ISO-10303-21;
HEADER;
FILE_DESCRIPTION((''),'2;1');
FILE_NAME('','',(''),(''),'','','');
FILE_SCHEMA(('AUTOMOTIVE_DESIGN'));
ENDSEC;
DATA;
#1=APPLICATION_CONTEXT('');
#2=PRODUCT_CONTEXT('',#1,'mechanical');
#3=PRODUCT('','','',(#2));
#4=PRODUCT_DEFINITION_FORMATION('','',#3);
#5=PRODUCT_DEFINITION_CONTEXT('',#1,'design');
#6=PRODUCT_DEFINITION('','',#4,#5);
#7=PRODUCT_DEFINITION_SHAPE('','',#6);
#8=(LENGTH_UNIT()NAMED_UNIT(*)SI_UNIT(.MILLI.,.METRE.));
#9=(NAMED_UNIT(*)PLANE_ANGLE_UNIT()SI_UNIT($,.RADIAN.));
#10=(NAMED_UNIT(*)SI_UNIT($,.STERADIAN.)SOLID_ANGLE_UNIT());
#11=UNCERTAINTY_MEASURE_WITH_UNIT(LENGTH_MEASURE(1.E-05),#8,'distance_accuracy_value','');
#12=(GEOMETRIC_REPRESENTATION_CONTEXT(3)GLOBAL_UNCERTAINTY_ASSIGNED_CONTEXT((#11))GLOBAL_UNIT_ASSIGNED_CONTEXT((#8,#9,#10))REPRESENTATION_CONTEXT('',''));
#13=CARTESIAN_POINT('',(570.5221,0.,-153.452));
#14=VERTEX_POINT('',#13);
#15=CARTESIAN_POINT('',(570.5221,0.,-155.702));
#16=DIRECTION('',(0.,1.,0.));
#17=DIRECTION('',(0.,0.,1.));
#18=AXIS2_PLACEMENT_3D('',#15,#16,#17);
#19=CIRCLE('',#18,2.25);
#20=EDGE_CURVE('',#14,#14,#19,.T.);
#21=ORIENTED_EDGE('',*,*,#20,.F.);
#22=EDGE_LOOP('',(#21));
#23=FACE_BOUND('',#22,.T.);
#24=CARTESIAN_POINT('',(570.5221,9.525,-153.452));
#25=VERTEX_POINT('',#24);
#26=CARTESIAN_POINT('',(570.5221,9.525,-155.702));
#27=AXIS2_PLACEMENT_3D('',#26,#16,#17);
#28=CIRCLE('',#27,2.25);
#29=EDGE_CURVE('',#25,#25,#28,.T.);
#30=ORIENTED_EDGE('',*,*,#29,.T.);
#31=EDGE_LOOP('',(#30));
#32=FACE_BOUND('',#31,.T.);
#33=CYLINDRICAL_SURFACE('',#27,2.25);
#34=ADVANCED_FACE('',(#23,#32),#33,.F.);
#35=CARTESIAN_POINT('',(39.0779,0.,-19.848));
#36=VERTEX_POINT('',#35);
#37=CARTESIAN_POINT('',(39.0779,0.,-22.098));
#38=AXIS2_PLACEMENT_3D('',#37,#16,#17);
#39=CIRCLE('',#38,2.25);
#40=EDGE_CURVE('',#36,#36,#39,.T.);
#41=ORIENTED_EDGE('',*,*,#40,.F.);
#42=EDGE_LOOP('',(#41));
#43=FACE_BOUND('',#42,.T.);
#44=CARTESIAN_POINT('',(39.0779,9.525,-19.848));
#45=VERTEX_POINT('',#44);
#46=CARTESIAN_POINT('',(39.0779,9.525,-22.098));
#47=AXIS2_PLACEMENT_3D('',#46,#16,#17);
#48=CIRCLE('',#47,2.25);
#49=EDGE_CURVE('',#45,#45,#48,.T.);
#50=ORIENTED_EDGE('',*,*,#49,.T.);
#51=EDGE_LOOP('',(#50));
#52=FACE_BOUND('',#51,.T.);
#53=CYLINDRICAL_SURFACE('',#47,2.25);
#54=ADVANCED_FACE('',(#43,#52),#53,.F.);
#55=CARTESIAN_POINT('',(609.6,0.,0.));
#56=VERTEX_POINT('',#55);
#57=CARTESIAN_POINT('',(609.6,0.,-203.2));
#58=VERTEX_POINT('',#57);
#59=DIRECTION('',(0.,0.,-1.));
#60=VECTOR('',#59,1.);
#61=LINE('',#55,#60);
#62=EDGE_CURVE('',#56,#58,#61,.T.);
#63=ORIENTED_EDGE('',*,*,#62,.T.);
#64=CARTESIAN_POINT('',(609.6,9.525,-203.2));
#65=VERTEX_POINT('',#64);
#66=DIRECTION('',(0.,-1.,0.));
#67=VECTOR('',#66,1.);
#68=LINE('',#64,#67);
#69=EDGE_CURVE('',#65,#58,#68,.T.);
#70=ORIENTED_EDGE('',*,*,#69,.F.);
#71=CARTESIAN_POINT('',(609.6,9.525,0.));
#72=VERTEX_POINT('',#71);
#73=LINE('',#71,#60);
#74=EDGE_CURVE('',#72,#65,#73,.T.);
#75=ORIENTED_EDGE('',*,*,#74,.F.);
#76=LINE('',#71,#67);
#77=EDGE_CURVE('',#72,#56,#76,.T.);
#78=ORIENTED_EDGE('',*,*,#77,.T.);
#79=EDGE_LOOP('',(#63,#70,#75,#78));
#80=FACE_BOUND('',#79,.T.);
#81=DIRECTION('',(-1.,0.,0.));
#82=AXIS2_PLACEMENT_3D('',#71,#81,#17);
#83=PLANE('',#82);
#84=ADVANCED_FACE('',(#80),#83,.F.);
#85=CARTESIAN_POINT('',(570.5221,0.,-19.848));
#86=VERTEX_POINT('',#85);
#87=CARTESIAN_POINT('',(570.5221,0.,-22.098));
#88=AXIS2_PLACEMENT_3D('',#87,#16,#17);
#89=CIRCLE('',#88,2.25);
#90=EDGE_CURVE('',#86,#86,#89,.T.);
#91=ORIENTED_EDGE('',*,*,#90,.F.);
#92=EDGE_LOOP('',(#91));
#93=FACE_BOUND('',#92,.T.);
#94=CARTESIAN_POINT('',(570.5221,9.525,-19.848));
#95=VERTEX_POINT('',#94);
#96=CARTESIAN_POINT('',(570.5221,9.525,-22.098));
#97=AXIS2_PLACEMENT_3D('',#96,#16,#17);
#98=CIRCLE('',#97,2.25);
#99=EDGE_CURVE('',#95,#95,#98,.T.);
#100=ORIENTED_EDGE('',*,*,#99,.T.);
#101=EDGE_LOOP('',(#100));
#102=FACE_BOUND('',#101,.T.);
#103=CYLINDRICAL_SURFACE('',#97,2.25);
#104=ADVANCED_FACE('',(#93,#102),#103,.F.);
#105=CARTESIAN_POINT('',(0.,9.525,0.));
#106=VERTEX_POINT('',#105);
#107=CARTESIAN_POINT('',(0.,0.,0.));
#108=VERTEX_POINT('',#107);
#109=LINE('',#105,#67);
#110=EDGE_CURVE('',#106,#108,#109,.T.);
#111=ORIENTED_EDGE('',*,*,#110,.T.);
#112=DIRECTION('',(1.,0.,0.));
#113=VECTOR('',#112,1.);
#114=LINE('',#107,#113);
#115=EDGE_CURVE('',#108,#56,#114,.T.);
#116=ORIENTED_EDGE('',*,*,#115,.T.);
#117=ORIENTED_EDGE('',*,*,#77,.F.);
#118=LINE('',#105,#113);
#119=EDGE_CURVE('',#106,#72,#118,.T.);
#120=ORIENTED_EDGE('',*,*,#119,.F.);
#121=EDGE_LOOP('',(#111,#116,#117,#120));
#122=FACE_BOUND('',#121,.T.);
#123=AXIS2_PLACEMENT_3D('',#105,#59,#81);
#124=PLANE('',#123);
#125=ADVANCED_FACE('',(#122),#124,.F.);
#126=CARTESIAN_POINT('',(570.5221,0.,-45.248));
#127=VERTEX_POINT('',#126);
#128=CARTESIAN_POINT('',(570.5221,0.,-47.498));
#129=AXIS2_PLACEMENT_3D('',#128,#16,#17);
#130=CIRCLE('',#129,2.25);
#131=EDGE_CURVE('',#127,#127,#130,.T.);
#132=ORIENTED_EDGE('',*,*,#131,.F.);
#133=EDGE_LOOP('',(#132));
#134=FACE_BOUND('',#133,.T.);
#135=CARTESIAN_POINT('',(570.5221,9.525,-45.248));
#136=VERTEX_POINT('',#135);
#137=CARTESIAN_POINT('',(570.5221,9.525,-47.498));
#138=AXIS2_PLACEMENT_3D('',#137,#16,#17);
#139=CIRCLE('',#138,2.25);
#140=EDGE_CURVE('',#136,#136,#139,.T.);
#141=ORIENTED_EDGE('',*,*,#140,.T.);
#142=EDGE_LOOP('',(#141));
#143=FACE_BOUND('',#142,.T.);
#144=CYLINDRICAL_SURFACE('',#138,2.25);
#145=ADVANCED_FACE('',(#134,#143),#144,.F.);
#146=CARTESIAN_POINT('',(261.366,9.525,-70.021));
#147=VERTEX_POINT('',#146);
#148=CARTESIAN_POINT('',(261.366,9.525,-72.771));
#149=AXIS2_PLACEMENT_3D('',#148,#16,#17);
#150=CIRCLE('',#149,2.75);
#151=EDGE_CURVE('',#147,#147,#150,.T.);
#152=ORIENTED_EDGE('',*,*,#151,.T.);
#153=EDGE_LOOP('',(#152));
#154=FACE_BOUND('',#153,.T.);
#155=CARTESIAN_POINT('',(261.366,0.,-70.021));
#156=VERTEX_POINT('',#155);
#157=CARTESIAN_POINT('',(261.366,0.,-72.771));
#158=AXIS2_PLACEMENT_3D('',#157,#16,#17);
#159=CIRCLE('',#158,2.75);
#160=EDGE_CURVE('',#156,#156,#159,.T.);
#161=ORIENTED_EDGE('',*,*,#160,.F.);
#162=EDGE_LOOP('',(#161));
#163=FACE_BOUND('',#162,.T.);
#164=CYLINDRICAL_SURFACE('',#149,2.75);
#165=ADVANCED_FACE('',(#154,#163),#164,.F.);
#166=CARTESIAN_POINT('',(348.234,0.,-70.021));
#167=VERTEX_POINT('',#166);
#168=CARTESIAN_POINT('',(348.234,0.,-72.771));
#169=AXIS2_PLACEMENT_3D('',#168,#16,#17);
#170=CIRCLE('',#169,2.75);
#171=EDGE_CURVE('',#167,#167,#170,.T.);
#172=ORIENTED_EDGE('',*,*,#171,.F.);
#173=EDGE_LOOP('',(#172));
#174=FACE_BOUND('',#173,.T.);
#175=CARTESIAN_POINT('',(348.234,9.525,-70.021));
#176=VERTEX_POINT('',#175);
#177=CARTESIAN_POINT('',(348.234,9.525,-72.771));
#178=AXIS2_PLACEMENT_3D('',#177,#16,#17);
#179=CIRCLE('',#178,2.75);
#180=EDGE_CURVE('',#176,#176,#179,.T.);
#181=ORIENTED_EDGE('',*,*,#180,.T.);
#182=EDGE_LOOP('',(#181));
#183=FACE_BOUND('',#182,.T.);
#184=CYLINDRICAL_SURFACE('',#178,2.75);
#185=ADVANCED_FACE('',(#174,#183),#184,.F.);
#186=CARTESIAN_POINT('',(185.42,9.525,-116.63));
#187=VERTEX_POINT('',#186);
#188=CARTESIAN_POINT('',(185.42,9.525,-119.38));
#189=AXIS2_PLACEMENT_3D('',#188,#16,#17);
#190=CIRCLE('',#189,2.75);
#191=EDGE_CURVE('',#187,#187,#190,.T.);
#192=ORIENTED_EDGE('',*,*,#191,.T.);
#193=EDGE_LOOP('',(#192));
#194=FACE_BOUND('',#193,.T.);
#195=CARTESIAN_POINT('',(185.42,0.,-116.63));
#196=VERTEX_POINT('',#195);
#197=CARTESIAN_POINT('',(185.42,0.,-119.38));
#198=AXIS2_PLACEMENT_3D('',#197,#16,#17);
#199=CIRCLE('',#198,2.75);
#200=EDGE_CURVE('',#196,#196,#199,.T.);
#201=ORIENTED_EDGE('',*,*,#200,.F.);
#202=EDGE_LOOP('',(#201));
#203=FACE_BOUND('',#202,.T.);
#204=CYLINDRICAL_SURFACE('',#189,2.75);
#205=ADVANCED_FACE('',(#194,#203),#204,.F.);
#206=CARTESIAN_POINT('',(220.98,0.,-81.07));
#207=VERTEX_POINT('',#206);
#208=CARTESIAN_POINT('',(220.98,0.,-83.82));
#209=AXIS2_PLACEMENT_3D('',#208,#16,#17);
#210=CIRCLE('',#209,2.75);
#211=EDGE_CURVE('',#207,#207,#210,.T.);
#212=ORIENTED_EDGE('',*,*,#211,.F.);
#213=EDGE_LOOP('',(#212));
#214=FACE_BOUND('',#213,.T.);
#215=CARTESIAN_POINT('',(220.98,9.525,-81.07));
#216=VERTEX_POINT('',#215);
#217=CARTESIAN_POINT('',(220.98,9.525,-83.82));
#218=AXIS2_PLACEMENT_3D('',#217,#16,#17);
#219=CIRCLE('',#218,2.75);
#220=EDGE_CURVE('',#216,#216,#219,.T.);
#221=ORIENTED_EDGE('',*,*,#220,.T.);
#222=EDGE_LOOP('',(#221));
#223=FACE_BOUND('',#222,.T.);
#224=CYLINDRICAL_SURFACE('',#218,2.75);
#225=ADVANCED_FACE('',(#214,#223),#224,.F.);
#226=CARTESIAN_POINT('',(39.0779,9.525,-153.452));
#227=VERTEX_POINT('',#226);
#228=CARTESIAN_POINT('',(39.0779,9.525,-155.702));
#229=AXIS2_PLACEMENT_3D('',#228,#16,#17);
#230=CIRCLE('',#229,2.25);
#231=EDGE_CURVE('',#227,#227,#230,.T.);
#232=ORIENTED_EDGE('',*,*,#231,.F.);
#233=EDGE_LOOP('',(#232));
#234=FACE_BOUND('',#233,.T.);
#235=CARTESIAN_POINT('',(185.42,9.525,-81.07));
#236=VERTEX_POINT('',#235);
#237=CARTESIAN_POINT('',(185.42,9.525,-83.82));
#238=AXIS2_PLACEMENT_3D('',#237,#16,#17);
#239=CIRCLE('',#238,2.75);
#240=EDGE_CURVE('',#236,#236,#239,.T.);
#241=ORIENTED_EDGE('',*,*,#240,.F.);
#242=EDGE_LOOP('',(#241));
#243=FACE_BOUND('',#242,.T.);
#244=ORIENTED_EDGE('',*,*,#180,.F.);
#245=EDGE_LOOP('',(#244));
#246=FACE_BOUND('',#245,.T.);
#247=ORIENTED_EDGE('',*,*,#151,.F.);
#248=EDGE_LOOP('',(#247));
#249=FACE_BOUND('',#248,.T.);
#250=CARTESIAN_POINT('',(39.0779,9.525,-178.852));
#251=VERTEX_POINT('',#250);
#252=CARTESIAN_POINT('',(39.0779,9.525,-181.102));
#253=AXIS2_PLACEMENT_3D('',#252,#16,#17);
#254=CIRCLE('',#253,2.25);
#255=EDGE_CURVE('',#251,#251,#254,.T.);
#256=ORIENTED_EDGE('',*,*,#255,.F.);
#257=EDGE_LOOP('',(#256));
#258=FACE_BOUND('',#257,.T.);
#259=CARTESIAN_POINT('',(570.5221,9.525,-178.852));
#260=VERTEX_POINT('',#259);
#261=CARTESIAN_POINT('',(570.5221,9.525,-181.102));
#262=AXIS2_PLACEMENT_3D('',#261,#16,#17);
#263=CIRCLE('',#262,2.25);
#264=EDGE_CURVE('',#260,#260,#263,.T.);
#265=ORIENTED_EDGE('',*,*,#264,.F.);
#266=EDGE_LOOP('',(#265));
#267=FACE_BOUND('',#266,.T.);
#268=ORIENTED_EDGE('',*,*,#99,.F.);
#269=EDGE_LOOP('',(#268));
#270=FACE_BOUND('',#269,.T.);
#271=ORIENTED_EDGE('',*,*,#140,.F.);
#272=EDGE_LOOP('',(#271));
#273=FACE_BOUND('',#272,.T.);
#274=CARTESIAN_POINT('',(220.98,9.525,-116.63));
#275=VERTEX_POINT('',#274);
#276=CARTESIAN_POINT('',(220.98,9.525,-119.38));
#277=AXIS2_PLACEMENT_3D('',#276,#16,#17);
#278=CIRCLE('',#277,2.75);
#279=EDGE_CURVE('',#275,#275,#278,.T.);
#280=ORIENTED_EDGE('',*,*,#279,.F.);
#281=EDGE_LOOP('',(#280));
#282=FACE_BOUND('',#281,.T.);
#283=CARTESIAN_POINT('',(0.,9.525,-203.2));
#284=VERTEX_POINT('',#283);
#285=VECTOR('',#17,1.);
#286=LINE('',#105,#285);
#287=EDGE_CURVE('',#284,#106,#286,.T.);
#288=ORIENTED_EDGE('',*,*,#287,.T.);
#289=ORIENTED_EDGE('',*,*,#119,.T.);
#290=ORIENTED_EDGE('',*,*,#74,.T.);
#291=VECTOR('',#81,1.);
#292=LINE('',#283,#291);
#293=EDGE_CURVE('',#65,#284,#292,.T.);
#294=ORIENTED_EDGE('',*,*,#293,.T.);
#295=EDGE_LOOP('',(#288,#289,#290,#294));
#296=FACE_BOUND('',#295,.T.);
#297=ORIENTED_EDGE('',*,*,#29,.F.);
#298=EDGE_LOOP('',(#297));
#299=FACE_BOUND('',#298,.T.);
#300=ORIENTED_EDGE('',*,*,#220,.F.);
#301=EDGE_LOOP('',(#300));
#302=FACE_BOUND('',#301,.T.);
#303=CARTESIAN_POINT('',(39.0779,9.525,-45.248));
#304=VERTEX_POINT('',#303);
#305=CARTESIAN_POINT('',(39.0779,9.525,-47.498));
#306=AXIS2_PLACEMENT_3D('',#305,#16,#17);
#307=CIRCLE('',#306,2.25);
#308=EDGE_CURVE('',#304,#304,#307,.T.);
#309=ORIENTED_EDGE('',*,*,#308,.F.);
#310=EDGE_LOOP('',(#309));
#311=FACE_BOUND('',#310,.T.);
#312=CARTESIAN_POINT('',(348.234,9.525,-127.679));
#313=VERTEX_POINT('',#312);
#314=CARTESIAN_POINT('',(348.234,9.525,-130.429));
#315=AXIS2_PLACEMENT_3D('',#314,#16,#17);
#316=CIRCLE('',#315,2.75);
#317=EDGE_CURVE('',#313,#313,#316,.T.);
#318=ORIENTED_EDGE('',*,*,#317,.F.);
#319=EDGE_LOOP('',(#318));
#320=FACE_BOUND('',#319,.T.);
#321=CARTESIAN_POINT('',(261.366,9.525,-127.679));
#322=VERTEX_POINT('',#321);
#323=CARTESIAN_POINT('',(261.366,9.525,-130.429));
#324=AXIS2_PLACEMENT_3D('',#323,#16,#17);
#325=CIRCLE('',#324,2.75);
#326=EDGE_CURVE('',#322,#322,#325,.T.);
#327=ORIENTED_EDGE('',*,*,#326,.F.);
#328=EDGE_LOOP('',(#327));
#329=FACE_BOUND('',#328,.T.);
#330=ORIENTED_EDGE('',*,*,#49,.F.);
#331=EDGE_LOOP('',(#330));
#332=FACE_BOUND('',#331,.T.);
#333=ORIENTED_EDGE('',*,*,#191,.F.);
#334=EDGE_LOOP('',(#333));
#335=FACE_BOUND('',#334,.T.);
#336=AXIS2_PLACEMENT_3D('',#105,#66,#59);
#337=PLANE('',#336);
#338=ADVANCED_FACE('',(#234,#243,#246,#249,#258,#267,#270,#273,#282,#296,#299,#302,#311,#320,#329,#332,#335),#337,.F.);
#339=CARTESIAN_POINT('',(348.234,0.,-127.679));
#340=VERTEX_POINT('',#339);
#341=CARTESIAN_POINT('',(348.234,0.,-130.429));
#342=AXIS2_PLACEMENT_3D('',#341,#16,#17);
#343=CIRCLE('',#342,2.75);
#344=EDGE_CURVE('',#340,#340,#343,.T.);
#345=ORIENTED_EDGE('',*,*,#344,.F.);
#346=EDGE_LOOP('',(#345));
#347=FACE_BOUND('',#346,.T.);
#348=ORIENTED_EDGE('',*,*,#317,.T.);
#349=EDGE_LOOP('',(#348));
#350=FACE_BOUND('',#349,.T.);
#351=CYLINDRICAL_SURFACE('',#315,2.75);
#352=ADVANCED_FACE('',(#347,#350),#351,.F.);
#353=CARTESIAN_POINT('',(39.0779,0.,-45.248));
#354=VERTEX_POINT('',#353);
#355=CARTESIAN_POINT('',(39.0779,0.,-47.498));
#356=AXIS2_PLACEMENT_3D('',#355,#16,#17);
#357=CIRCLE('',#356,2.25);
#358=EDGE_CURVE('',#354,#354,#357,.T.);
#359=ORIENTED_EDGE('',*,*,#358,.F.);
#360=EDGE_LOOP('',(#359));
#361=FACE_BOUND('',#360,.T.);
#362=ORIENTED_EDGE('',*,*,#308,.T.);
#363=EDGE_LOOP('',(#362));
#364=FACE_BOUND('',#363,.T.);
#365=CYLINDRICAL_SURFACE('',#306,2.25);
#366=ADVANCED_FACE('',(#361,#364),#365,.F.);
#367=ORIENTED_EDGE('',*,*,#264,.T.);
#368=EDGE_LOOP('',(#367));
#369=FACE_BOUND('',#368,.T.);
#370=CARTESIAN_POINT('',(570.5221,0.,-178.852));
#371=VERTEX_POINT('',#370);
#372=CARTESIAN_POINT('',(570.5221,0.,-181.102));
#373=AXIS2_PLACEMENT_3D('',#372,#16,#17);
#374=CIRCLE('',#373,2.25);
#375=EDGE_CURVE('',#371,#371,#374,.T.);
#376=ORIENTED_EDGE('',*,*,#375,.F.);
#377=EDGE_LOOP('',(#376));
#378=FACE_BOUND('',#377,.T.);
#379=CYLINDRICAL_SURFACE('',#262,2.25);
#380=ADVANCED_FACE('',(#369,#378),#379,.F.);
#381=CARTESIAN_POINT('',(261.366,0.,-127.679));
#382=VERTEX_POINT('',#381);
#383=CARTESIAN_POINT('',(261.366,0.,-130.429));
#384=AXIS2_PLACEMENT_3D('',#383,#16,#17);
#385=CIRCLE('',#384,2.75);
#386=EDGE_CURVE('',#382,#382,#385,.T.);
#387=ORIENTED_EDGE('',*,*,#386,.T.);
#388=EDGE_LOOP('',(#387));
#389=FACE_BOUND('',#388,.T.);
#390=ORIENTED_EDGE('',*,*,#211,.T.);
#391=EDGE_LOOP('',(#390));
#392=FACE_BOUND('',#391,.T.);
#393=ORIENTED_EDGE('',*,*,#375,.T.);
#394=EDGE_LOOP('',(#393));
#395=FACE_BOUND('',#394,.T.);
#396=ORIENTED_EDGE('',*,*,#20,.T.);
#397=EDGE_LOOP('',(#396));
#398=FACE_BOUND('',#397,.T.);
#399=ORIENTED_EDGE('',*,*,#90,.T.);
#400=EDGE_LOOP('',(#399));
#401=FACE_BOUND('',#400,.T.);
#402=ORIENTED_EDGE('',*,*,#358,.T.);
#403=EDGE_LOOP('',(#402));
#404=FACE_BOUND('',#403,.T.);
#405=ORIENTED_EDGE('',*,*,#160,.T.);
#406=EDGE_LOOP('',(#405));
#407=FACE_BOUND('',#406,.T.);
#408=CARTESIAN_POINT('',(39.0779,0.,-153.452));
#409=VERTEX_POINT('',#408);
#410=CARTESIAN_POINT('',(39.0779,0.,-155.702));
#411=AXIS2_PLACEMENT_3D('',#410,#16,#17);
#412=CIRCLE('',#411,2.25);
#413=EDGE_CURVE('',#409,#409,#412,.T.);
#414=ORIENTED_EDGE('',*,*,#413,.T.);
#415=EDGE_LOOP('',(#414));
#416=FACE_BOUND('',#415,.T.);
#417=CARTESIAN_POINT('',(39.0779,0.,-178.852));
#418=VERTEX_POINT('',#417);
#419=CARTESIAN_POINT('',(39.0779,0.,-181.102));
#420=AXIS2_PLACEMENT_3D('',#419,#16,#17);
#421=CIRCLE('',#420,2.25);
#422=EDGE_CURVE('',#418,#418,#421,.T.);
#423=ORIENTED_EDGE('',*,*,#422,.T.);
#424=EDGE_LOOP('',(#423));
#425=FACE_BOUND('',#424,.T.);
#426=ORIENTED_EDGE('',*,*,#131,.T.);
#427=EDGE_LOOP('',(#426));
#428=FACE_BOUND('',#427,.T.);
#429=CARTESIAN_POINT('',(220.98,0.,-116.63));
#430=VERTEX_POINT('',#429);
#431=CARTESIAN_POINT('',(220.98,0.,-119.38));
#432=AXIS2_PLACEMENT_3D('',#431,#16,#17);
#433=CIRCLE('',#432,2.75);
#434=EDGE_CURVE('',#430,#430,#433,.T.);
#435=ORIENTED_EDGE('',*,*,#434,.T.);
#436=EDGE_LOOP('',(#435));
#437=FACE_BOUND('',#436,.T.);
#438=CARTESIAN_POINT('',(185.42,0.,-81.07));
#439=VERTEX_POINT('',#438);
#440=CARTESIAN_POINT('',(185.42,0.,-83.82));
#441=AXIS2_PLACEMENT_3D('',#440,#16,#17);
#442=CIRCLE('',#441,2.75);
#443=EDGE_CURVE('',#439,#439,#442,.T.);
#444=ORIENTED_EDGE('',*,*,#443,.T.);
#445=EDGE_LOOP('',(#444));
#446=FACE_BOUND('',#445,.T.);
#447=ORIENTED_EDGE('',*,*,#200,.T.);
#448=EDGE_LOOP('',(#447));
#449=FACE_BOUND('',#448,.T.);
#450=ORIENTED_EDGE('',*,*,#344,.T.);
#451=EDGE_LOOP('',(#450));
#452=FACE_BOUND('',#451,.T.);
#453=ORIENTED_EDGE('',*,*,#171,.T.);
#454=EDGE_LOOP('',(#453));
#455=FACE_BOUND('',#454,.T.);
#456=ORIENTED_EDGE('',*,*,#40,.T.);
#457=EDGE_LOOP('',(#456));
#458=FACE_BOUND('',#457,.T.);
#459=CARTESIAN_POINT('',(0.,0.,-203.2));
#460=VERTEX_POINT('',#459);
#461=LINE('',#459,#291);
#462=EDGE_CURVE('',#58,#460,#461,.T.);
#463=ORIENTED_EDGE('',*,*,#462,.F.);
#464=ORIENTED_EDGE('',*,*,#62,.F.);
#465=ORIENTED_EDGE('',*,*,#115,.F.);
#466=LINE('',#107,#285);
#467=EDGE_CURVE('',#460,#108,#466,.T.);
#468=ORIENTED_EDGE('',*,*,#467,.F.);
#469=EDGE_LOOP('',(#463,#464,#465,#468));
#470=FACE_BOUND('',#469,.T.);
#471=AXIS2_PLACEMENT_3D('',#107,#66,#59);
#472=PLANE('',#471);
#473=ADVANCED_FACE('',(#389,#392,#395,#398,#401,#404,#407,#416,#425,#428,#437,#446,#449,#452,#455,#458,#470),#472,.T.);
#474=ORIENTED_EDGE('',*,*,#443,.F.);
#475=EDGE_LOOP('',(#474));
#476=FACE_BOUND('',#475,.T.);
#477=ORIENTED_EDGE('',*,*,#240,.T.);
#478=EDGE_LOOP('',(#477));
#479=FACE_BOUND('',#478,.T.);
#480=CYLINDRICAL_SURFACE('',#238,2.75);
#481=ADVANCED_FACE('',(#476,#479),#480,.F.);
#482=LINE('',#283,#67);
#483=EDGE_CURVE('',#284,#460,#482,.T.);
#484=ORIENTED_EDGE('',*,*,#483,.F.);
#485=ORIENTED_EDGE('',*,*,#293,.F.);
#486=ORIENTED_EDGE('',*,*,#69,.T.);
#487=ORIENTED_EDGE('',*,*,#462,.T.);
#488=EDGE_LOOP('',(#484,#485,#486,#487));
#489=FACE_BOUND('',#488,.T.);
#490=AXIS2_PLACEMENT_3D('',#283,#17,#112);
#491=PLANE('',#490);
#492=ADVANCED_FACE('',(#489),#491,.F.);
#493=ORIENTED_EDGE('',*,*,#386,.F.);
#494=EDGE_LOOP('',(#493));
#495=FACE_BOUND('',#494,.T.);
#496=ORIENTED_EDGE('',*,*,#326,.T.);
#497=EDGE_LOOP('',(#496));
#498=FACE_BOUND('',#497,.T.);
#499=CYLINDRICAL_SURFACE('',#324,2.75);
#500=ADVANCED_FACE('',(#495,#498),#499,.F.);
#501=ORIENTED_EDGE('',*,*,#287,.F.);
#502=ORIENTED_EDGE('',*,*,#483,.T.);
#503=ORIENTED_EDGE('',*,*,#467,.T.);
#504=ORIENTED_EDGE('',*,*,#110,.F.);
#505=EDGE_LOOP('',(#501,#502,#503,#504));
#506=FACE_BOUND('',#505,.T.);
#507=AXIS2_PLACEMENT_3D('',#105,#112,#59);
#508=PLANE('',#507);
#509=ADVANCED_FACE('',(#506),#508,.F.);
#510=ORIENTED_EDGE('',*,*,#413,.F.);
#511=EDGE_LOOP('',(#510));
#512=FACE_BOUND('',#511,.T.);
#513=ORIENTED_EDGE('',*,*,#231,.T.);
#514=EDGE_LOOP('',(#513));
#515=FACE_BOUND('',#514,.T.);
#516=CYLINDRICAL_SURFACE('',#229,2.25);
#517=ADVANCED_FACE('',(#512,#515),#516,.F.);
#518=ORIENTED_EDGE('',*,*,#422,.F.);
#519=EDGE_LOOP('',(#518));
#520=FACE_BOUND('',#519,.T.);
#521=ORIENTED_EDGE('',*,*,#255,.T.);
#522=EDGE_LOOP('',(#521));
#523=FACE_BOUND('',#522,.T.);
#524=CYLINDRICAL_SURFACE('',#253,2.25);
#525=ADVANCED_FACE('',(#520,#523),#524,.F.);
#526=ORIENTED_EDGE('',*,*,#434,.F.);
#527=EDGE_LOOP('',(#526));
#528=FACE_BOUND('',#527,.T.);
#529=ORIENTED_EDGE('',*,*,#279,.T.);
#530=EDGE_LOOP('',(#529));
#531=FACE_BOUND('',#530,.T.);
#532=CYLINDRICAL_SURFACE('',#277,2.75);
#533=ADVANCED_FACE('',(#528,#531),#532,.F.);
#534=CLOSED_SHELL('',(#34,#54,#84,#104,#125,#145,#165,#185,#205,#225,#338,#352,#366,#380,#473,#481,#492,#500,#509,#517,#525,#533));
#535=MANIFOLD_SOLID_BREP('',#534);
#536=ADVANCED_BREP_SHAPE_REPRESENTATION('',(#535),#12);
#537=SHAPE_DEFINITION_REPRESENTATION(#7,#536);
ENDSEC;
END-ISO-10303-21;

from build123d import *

# Parameters (mm, degrees)
SKETCH1_W                  = 609.6
SKETCH1_H                  = 203.2
TABLE_BLANK_DEPTH          = 9.525
TABLE_HOLES_M5_CLEARANCE_D = 5.5
RUNNER_HOLES_D             = 5.5
WHEEL_HOLES_M4_CLEARANCE_D = 4.5


with BuildPart() as part:
    # Sketch1 → Table Blank (new body)
    with BuildSketch(Plane(origin=(0, 0, 0), x_dir=(1, 0, 0), z_dir=(0, 1, 0))):
        with Locations((304.8, 101.6)):
            Rectangle(SKETCH1_W, SKETCH1_H)
    extrude(amount=TABLE_BLANK_DEPTH)

    # Table Holes (M5 Clearance) (through all)
    with Locations(Plane(origin=(0, 9.525, 0), x_dir=(1, 0, 0), z_dir=(0, 1, 0))):
        with Locations((261.366, 130.429), (348.234, 130.429), (348.234, 72.771), (261.366, 72.771)):
            Hole(TABLE_HOLES_M5_CLEARANCE_D / 2)

    # Runner Holes (through all)
    with Locations(Plane(origin=(0, 9.525, 0), x_dir=(1, 0, 0), z_dir=(0, 1, 0))):
        with Locations((185.42, 119.38), (220.98, 119.38), (220.98, 83.82), (185.42, 83.82)):
            Hole(RUNNER_HOLES_D / 2)

    # Wheel Holes (M4 Clearance) (through all)
    with Locations(Plane(origin=(0, 9.525, 0), x_dir=(1, 0, 0), z_dir=(0, 1, 0))):
        with Locations((39.0779, 181.102), (39.0779, 155.702), (39.0779, 47.498), (39.0779, 22.098)):
            wheel_holes_m4_clearance = Hole(WHEEL_HOLES_M4_CLEARANCE_D / 2)

    # Mirror1: Wheel Holes (M4 Clearance) across plane
    add(wheel_holes_m4_clearance.mirror(Plane.ZY.offset(-304.8)), mode=Mode.SUBTRACT)


solid = part.part
